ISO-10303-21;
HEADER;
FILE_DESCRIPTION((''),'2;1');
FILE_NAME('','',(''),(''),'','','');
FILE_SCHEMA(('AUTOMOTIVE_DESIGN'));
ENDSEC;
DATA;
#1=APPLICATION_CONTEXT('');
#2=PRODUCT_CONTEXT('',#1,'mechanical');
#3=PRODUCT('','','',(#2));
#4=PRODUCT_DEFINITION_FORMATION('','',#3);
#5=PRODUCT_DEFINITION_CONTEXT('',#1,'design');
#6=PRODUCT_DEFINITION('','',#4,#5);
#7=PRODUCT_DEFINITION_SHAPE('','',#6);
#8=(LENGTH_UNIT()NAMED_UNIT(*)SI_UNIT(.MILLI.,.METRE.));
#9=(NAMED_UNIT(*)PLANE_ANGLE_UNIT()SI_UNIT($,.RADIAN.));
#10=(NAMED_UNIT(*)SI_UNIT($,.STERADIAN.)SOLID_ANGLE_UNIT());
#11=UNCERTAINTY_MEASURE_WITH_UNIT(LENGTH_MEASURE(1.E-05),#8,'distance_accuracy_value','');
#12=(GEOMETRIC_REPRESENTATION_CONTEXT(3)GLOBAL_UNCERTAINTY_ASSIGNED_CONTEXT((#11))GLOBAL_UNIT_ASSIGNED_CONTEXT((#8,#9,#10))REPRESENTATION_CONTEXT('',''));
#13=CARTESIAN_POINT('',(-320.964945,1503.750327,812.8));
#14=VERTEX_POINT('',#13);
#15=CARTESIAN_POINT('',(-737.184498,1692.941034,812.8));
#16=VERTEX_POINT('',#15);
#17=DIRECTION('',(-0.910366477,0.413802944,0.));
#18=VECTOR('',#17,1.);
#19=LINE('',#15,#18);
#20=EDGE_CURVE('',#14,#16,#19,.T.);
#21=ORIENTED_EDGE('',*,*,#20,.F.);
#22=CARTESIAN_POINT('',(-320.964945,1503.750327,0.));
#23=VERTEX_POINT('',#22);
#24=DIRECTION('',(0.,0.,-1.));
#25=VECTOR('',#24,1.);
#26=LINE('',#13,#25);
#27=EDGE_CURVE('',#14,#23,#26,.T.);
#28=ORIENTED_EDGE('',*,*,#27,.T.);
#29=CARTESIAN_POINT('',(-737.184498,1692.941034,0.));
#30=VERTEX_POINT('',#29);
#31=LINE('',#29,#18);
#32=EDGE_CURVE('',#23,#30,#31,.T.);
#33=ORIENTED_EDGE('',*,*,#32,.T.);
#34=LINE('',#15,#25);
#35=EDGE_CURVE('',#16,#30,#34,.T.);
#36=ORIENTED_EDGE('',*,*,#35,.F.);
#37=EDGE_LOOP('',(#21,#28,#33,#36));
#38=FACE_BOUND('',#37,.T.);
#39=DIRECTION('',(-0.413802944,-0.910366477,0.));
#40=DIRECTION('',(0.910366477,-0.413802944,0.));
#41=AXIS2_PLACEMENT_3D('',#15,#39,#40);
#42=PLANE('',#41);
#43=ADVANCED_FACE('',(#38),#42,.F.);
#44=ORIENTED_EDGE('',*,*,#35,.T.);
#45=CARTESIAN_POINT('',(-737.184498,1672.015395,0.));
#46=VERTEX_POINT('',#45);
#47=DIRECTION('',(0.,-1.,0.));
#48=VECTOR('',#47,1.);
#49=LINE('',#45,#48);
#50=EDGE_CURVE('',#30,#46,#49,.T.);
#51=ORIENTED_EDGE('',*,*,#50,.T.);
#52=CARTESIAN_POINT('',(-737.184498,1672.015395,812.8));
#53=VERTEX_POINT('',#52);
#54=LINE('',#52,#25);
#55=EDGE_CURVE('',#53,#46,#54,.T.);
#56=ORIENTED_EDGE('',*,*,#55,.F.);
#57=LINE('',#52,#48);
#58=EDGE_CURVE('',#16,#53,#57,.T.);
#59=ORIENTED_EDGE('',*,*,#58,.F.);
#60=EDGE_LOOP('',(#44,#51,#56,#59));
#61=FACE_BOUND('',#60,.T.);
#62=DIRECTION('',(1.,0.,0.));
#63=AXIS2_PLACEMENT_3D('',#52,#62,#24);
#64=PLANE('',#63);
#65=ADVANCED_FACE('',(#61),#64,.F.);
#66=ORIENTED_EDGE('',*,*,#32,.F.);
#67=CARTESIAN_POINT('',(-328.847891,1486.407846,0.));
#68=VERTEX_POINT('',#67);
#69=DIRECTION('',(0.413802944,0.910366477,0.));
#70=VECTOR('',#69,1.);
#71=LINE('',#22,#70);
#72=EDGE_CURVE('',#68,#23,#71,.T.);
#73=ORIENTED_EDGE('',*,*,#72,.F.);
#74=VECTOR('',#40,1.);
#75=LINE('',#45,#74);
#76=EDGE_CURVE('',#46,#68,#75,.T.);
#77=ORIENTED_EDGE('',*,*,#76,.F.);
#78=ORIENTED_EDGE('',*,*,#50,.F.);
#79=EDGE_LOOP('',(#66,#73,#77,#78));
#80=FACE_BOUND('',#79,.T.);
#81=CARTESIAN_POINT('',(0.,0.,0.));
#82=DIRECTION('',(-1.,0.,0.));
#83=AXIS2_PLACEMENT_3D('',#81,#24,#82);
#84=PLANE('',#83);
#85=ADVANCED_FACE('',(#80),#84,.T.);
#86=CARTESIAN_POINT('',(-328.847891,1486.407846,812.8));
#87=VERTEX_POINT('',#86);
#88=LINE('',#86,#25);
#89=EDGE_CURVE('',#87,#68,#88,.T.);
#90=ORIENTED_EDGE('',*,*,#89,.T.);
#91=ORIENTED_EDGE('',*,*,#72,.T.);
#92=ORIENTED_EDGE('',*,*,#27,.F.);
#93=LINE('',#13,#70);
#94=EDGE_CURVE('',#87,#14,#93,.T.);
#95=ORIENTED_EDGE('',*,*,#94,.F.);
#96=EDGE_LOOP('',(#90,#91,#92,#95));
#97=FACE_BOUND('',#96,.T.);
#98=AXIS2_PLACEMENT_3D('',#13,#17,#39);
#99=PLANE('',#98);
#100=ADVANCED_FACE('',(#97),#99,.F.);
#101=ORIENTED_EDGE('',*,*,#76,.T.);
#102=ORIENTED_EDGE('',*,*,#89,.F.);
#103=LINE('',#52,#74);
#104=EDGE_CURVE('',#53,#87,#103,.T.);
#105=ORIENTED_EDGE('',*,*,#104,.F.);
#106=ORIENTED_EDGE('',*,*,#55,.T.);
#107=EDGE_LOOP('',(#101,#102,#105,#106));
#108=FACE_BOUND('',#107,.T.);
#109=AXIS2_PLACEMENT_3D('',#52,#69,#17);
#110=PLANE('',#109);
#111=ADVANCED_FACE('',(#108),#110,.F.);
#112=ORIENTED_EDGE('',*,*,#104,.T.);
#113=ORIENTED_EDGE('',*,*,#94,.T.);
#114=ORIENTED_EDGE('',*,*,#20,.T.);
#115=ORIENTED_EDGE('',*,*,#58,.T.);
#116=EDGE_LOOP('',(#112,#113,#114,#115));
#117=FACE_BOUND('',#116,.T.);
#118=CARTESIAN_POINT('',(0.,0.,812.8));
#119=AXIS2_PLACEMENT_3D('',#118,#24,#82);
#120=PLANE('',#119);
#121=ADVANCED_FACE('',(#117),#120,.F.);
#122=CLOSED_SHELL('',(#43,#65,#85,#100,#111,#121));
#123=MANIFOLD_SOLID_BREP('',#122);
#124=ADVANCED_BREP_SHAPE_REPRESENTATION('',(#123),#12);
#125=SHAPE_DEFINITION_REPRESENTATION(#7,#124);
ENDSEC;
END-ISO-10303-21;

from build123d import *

# Parameters (mm, degrees)
BOSS_EXTRUDE1_DEPTH = 812.8


with BuildPart() as part:
    # Sketch6 → Boss-Extrude1 (new body)
    with BuildSketch(Plane.XY):
        Polygon((-737.18449825, 1672.01539481), (-737.18449825, 1692.941033519), (-320.964944754, 1503.750327384), (-328.847890843, 1486.407845989), align=None)
    extrude(amount=BOSS_EXTRUDE1_DEPTH)


solid = part.part
